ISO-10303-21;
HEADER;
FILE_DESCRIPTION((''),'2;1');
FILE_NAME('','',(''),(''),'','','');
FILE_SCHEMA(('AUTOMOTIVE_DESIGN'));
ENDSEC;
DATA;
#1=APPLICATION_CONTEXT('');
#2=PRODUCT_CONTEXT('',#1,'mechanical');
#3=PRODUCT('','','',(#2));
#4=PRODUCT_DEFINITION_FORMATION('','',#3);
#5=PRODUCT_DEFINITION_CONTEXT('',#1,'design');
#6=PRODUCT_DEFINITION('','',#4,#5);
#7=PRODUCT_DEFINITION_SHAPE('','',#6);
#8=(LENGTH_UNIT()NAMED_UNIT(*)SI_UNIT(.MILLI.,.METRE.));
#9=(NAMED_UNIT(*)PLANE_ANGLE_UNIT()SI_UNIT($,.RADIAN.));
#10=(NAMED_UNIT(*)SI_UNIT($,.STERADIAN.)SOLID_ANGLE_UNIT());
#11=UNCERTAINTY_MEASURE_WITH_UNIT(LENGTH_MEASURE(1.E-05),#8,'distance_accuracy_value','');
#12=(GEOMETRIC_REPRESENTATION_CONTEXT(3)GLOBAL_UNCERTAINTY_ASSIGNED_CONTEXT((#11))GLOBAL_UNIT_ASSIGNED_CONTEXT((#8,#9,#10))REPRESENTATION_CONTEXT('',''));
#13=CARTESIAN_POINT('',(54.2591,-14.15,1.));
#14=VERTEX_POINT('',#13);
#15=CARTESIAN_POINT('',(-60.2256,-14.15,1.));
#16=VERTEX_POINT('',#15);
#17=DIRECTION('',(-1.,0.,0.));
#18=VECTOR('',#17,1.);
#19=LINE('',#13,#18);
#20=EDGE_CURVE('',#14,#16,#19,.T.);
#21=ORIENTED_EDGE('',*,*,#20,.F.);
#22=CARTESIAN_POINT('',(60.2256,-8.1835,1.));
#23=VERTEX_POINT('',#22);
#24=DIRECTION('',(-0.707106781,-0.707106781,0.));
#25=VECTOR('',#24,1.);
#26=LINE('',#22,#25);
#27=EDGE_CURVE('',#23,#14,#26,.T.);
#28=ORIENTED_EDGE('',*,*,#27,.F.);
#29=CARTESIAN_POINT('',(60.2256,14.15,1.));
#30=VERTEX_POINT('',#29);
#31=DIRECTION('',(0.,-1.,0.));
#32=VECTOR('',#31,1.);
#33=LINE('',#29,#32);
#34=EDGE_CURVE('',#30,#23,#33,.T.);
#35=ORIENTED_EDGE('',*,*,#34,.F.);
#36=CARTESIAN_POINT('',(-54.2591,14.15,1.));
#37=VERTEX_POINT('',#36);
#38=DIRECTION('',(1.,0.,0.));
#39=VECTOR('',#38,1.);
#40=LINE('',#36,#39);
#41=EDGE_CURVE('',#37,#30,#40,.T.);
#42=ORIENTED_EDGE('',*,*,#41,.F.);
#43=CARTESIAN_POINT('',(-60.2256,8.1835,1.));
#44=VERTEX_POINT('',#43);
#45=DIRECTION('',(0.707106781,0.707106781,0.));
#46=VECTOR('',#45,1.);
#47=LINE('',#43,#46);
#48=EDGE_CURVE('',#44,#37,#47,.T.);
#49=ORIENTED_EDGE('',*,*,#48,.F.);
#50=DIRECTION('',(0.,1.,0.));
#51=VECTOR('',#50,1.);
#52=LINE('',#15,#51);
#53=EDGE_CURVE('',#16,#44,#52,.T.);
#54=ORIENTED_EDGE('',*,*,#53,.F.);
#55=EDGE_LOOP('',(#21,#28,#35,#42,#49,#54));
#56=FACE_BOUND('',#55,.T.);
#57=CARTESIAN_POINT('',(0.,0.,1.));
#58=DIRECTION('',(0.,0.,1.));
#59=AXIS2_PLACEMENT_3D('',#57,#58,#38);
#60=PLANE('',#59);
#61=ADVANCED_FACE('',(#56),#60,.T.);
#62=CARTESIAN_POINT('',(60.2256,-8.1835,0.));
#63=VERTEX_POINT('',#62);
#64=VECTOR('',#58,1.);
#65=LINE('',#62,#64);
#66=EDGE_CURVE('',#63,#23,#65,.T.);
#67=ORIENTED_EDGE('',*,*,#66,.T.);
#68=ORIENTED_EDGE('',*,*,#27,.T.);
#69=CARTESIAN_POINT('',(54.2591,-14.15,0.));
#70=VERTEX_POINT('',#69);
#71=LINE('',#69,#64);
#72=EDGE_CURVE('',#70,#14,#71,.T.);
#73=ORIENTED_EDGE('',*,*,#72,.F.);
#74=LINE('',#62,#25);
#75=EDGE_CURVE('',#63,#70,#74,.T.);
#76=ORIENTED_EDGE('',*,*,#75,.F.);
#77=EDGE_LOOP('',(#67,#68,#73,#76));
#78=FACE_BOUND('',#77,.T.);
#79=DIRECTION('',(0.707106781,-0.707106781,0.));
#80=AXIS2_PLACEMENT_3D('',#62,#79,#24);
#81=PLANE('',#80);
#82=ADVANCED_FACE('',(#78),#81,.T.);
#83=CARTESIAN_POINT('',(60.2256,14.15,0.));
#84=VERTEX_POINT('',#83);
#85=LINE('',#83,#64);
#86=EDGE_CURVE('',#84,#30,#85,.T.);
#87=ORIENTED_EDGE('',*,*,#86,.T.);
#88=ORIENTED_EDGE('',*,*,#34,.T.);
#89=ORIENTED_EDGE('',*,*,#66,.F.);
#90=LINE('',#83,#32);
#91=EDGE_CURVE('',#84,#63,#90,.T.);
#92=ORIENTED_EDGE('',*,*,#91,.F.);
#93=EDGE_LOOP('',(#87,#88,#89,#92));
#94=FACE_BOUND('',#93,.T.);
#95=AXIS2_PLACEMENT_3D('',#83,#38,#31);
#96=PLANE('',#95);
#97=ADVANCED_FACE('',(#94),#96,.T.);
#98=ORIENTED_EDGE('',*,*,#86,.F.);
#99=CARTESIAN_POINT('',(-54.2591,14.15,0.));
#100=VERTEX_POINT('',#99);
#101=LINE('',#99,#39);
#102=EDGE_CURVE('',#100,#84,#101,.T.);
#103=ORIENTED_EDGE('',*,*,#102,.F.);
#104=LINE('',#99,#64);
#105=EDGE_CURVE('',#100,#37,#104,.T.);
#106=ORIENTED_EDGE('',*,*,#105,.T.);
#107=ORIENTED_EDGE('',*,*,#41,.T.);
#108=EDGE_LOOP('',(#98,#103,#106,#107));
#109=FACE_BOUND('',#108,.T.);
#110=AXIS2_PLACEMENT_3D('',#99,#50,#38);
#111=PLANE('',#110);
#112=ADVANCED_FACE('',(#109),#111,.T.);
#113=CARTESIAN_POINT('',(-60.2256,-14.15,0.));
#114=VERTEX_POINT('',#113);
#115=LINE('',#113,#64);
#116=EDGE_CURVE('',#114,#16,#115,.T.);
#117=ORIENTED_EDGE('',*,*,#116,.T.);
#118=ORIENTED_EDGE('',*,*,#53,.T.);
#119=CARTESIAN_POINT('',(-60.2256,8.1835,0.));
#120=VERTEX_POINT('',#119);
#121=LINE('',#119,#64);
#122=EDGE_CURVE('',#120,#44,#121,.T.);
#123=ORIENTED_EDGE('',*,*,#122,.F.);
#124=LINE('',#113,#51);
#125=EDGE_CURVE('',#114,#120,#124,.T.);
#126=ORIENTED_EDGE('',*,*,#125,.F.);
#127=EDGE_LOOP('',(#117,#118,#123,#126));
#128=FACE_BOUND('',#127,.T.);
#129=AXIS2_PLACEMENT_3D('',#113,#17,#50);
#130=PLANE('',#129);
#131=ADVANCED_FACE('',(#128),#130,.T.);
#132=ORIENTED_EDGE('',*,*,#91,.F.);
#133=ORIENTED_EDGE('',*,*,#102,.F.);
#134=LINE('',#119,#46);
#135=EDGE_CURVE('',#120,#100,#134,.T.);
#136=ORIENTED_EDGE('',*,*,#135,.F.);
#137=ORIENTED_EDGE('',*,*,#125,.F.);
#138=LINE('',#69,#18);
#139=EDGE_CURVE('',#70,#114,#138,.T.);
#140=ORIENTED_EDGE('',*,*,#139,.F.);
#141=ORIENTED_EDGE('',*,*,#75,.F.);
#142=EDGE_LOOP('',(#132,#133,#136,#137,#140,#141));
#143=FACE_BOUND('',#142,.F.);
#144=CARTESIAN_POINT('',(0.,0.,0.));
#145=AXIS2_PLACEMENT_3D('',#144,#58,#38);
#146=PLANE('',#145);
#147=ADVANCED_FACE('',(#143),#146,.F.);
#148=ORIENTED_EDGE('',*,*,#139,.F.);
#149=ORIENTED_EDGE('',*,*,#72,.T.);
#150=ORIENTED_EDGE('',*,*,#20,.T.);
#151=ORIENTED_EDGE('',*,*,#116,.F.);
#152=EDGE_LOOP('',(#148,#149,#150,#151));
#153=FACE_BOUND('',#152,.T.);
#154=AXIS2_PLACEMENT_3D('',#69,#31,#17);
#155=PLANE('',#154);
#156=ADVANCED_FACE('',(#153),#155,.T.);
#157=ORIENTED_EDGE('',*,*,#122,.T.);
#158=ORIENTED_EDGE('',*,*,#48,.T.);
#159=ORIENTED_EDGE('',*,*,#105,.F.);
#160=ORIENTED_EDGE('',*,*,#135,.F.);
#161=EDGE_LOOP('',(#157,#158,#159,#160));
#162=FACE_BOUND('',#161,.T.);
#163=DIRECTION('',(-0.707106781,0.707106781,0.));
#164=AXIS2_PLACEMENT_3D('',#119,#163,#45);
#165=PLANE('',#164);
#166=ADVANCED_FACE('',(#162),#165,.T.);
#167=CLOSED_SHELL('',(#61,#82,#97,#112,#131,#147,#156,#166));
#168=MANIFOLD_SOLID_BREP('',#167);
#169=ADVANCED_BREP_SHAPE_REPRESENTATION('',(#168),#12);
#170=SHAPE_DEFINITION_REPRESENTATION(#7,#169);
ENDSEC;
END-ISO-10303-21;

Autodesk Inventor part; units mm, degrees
ref_plane "YZ Plane" through (0, 0, 0) normal (1, 0, 0) x (0, 1, 0)
ref_plane "XZ Plane" through (0, 0, 0) normal (0, 1, 0) x (-1, 0, 0)
ref_plane "XY Plane" through (0, 0, 0) normal (0, 0, 1) x (1, 0, 0)
sketch "Эскиз1" plane through (0, 0, 0) normal (0, 0, 1) x (1, 0, 0)
  line L0 (-58.5756, 7.5) -> (-58.5756, 0.6288) projected
  line L1 (-53.5756, 12.5) -> (-58.5756, 7.5) projected
  line L2 (-46.7044, 12.5) -> (-53.5756, 12.5) projected
  line L3 (-46.7044, 12.5) -> (-58.5756, 0.6288) projected
  line L4 (-3.4075, -12.5) -> (3.4636, -12.5) projected
  line L5 (-3.4075, -12.5) -> (21.5925, 12.5) projected
  line L6 (28.4636, 12.5) -> (21.5925, 12.5) projected
  line L7 (28.4636, 12.5) -> (3.4636, -12.5) projected
  line L8 (-40.9915, -12.5) -> (-34.1204, -12.5) projected
  line L9 (-40.9915, -12.5) -> (-15.9915, 12.5) projected
  line L10 (-9.1204, 12.5) -> (-15.9915, 12.5) projected
  line L11 (-9.1204, 12.5) -> (-34.1204, -12.5) projected
  line L12 (9.1205, -12.5) -> (34.1205, 12.5) projected
  line L13 (40.9916, 12.5) -> (34.1205, 12.5) projected
  line L14 (40.9916, 12.5) -> (15.9916, -12.5) projected
  line L15 (9.1205, -12.5) -> (15.9916, -12.5) projected
  line L16 (-58.5756, -5.0281) -> (-41.0475, 12.5) projected
  line L17 (-34.1764, 12.5) -> (-41.0475, 12.5) projected
  line L18 (-34.1764, 12.5) -> (-58.5756, -11.8992) projected
  line L19 (-58.5756, -5.0281) -> (-58.5756, -11.8992) projected
  line L20 (-53.5195, -12.5) -> (-28.5195, 12.5) projected
  line L21 (-21.6484, 12.5) -> (-28.5195, 12.5) projected
  line L22 (-21.6484, 12.5) -> (-46.6484, -12.5) projected
  line L23 (-53.5195, -12.5) -> (-46.6484, -12.5) projected
  line L24 (-15.9355, -12.5) -> (-9.0644, -12.5) projected
  line L25 (-15.9355, -12.5) -> (9.0645, 12.5) projected
  line L26 (15.9356, 12.5) -> (9.0645, 12.5) projected
  line L27 (15.9356, 12.5) -> (-9.0644, -12.5) projected
  line L28 (-28.4635, -12.5) -> (-3.4635, 12.5) projected
  line L29 (3.4076, 12.5) -> (-3.4635, 12.5) projected
  line L30 (3.4076, 12.5) -> (-21.5924, -12.5) projected
  line L31 (-28.4635, -12.5) -> (-21.5924, -12.5) projected
  line L32 (58.5756, -7.5) -> (58.5756, -0.6289) projected
  line L33 (53.5756, -12.5) -> (58.5756, -7.5) projected
  line L34 (46.7045, -12.5) -> (53.5756, -12.5) projected
  line L35 (46.7045, -12.5) -> (58.5756, -0.6289) projected
  line L36 (21.6485, -12.5) -> (46.6485, 12.5) projected
  line L37 (53.5196, 12.5) -> (46.6485, 12.5) projected
  line L38 (53.5196, 12.5) -> (28.5196, -12.5) projected
  line L39 (21.6485, -12.5) -> (28.5196, -12.5) projected
  line L40 (-60.5756, -14.5) -> (-60.5756, 8.3284) projected
  line L41 (54.404, -14.5) -> (-60.5756, -14.5) projected
  line L42 (60.5756, -8.3284) -> (54.404, -14.5) projected
  line L43 (60.5756, 14.5) -> (60.5756, -8.3284) projected
  line L44 (-54.404, 14.5) -> (60.5756, 14.5) projected
  line L45 (-60.5756, 8.3284) -> (-54.404, 14.5) projected
  line L46 (58.5756, 5.028) -> (41.0476, -12.5) projected
  line L47 (34.1765, -12.5) -> (41.0476, -12.5) projected
  line L48 (34.1765, -12.5) -> (58.5756, 11.8991) projected
  line L49 (58.5756, 5.028) -> (58.5756, 11.8991) projected
  line L50 (-60.2256, -14.15) -> (-60.2256, 8.1835)
  line L51 (-60.2256, 8.1835) -> (-54.2591, 14.15)
  line L52 (-54.2591, 14.15) -> (60.2256, 14.15)
  line L53 (60.2256, 14.15) -> (60.2256, -8.1835)
  line L54 (60.2256, -8.1835) -> (54.2591, -14.15)
  line L55 (54.2591, -14.15) -> (-60.2256, -14.15)
  point P0 (0, 0)
  dimension "d0" = 0.35
extrude "Выдавливание1" add sketch "Эскиз1" along normal blind 1 contours L1 L2 L3 L0 | L5 L6 L7 L4 | L9 L10 L11 L8 | L12 L13 L14 L15 | L16 L17 L18 L19 | L20 L21 L22 L23 | L25 L26 L27 L24 | L28 L29 L30 L31 | L33 L34 L35 L32 | L36 L37 L38 L39 | L46 L47 L48 L49 | L50 L51 L52 L53 L54 L55
properties part number "filter2"
